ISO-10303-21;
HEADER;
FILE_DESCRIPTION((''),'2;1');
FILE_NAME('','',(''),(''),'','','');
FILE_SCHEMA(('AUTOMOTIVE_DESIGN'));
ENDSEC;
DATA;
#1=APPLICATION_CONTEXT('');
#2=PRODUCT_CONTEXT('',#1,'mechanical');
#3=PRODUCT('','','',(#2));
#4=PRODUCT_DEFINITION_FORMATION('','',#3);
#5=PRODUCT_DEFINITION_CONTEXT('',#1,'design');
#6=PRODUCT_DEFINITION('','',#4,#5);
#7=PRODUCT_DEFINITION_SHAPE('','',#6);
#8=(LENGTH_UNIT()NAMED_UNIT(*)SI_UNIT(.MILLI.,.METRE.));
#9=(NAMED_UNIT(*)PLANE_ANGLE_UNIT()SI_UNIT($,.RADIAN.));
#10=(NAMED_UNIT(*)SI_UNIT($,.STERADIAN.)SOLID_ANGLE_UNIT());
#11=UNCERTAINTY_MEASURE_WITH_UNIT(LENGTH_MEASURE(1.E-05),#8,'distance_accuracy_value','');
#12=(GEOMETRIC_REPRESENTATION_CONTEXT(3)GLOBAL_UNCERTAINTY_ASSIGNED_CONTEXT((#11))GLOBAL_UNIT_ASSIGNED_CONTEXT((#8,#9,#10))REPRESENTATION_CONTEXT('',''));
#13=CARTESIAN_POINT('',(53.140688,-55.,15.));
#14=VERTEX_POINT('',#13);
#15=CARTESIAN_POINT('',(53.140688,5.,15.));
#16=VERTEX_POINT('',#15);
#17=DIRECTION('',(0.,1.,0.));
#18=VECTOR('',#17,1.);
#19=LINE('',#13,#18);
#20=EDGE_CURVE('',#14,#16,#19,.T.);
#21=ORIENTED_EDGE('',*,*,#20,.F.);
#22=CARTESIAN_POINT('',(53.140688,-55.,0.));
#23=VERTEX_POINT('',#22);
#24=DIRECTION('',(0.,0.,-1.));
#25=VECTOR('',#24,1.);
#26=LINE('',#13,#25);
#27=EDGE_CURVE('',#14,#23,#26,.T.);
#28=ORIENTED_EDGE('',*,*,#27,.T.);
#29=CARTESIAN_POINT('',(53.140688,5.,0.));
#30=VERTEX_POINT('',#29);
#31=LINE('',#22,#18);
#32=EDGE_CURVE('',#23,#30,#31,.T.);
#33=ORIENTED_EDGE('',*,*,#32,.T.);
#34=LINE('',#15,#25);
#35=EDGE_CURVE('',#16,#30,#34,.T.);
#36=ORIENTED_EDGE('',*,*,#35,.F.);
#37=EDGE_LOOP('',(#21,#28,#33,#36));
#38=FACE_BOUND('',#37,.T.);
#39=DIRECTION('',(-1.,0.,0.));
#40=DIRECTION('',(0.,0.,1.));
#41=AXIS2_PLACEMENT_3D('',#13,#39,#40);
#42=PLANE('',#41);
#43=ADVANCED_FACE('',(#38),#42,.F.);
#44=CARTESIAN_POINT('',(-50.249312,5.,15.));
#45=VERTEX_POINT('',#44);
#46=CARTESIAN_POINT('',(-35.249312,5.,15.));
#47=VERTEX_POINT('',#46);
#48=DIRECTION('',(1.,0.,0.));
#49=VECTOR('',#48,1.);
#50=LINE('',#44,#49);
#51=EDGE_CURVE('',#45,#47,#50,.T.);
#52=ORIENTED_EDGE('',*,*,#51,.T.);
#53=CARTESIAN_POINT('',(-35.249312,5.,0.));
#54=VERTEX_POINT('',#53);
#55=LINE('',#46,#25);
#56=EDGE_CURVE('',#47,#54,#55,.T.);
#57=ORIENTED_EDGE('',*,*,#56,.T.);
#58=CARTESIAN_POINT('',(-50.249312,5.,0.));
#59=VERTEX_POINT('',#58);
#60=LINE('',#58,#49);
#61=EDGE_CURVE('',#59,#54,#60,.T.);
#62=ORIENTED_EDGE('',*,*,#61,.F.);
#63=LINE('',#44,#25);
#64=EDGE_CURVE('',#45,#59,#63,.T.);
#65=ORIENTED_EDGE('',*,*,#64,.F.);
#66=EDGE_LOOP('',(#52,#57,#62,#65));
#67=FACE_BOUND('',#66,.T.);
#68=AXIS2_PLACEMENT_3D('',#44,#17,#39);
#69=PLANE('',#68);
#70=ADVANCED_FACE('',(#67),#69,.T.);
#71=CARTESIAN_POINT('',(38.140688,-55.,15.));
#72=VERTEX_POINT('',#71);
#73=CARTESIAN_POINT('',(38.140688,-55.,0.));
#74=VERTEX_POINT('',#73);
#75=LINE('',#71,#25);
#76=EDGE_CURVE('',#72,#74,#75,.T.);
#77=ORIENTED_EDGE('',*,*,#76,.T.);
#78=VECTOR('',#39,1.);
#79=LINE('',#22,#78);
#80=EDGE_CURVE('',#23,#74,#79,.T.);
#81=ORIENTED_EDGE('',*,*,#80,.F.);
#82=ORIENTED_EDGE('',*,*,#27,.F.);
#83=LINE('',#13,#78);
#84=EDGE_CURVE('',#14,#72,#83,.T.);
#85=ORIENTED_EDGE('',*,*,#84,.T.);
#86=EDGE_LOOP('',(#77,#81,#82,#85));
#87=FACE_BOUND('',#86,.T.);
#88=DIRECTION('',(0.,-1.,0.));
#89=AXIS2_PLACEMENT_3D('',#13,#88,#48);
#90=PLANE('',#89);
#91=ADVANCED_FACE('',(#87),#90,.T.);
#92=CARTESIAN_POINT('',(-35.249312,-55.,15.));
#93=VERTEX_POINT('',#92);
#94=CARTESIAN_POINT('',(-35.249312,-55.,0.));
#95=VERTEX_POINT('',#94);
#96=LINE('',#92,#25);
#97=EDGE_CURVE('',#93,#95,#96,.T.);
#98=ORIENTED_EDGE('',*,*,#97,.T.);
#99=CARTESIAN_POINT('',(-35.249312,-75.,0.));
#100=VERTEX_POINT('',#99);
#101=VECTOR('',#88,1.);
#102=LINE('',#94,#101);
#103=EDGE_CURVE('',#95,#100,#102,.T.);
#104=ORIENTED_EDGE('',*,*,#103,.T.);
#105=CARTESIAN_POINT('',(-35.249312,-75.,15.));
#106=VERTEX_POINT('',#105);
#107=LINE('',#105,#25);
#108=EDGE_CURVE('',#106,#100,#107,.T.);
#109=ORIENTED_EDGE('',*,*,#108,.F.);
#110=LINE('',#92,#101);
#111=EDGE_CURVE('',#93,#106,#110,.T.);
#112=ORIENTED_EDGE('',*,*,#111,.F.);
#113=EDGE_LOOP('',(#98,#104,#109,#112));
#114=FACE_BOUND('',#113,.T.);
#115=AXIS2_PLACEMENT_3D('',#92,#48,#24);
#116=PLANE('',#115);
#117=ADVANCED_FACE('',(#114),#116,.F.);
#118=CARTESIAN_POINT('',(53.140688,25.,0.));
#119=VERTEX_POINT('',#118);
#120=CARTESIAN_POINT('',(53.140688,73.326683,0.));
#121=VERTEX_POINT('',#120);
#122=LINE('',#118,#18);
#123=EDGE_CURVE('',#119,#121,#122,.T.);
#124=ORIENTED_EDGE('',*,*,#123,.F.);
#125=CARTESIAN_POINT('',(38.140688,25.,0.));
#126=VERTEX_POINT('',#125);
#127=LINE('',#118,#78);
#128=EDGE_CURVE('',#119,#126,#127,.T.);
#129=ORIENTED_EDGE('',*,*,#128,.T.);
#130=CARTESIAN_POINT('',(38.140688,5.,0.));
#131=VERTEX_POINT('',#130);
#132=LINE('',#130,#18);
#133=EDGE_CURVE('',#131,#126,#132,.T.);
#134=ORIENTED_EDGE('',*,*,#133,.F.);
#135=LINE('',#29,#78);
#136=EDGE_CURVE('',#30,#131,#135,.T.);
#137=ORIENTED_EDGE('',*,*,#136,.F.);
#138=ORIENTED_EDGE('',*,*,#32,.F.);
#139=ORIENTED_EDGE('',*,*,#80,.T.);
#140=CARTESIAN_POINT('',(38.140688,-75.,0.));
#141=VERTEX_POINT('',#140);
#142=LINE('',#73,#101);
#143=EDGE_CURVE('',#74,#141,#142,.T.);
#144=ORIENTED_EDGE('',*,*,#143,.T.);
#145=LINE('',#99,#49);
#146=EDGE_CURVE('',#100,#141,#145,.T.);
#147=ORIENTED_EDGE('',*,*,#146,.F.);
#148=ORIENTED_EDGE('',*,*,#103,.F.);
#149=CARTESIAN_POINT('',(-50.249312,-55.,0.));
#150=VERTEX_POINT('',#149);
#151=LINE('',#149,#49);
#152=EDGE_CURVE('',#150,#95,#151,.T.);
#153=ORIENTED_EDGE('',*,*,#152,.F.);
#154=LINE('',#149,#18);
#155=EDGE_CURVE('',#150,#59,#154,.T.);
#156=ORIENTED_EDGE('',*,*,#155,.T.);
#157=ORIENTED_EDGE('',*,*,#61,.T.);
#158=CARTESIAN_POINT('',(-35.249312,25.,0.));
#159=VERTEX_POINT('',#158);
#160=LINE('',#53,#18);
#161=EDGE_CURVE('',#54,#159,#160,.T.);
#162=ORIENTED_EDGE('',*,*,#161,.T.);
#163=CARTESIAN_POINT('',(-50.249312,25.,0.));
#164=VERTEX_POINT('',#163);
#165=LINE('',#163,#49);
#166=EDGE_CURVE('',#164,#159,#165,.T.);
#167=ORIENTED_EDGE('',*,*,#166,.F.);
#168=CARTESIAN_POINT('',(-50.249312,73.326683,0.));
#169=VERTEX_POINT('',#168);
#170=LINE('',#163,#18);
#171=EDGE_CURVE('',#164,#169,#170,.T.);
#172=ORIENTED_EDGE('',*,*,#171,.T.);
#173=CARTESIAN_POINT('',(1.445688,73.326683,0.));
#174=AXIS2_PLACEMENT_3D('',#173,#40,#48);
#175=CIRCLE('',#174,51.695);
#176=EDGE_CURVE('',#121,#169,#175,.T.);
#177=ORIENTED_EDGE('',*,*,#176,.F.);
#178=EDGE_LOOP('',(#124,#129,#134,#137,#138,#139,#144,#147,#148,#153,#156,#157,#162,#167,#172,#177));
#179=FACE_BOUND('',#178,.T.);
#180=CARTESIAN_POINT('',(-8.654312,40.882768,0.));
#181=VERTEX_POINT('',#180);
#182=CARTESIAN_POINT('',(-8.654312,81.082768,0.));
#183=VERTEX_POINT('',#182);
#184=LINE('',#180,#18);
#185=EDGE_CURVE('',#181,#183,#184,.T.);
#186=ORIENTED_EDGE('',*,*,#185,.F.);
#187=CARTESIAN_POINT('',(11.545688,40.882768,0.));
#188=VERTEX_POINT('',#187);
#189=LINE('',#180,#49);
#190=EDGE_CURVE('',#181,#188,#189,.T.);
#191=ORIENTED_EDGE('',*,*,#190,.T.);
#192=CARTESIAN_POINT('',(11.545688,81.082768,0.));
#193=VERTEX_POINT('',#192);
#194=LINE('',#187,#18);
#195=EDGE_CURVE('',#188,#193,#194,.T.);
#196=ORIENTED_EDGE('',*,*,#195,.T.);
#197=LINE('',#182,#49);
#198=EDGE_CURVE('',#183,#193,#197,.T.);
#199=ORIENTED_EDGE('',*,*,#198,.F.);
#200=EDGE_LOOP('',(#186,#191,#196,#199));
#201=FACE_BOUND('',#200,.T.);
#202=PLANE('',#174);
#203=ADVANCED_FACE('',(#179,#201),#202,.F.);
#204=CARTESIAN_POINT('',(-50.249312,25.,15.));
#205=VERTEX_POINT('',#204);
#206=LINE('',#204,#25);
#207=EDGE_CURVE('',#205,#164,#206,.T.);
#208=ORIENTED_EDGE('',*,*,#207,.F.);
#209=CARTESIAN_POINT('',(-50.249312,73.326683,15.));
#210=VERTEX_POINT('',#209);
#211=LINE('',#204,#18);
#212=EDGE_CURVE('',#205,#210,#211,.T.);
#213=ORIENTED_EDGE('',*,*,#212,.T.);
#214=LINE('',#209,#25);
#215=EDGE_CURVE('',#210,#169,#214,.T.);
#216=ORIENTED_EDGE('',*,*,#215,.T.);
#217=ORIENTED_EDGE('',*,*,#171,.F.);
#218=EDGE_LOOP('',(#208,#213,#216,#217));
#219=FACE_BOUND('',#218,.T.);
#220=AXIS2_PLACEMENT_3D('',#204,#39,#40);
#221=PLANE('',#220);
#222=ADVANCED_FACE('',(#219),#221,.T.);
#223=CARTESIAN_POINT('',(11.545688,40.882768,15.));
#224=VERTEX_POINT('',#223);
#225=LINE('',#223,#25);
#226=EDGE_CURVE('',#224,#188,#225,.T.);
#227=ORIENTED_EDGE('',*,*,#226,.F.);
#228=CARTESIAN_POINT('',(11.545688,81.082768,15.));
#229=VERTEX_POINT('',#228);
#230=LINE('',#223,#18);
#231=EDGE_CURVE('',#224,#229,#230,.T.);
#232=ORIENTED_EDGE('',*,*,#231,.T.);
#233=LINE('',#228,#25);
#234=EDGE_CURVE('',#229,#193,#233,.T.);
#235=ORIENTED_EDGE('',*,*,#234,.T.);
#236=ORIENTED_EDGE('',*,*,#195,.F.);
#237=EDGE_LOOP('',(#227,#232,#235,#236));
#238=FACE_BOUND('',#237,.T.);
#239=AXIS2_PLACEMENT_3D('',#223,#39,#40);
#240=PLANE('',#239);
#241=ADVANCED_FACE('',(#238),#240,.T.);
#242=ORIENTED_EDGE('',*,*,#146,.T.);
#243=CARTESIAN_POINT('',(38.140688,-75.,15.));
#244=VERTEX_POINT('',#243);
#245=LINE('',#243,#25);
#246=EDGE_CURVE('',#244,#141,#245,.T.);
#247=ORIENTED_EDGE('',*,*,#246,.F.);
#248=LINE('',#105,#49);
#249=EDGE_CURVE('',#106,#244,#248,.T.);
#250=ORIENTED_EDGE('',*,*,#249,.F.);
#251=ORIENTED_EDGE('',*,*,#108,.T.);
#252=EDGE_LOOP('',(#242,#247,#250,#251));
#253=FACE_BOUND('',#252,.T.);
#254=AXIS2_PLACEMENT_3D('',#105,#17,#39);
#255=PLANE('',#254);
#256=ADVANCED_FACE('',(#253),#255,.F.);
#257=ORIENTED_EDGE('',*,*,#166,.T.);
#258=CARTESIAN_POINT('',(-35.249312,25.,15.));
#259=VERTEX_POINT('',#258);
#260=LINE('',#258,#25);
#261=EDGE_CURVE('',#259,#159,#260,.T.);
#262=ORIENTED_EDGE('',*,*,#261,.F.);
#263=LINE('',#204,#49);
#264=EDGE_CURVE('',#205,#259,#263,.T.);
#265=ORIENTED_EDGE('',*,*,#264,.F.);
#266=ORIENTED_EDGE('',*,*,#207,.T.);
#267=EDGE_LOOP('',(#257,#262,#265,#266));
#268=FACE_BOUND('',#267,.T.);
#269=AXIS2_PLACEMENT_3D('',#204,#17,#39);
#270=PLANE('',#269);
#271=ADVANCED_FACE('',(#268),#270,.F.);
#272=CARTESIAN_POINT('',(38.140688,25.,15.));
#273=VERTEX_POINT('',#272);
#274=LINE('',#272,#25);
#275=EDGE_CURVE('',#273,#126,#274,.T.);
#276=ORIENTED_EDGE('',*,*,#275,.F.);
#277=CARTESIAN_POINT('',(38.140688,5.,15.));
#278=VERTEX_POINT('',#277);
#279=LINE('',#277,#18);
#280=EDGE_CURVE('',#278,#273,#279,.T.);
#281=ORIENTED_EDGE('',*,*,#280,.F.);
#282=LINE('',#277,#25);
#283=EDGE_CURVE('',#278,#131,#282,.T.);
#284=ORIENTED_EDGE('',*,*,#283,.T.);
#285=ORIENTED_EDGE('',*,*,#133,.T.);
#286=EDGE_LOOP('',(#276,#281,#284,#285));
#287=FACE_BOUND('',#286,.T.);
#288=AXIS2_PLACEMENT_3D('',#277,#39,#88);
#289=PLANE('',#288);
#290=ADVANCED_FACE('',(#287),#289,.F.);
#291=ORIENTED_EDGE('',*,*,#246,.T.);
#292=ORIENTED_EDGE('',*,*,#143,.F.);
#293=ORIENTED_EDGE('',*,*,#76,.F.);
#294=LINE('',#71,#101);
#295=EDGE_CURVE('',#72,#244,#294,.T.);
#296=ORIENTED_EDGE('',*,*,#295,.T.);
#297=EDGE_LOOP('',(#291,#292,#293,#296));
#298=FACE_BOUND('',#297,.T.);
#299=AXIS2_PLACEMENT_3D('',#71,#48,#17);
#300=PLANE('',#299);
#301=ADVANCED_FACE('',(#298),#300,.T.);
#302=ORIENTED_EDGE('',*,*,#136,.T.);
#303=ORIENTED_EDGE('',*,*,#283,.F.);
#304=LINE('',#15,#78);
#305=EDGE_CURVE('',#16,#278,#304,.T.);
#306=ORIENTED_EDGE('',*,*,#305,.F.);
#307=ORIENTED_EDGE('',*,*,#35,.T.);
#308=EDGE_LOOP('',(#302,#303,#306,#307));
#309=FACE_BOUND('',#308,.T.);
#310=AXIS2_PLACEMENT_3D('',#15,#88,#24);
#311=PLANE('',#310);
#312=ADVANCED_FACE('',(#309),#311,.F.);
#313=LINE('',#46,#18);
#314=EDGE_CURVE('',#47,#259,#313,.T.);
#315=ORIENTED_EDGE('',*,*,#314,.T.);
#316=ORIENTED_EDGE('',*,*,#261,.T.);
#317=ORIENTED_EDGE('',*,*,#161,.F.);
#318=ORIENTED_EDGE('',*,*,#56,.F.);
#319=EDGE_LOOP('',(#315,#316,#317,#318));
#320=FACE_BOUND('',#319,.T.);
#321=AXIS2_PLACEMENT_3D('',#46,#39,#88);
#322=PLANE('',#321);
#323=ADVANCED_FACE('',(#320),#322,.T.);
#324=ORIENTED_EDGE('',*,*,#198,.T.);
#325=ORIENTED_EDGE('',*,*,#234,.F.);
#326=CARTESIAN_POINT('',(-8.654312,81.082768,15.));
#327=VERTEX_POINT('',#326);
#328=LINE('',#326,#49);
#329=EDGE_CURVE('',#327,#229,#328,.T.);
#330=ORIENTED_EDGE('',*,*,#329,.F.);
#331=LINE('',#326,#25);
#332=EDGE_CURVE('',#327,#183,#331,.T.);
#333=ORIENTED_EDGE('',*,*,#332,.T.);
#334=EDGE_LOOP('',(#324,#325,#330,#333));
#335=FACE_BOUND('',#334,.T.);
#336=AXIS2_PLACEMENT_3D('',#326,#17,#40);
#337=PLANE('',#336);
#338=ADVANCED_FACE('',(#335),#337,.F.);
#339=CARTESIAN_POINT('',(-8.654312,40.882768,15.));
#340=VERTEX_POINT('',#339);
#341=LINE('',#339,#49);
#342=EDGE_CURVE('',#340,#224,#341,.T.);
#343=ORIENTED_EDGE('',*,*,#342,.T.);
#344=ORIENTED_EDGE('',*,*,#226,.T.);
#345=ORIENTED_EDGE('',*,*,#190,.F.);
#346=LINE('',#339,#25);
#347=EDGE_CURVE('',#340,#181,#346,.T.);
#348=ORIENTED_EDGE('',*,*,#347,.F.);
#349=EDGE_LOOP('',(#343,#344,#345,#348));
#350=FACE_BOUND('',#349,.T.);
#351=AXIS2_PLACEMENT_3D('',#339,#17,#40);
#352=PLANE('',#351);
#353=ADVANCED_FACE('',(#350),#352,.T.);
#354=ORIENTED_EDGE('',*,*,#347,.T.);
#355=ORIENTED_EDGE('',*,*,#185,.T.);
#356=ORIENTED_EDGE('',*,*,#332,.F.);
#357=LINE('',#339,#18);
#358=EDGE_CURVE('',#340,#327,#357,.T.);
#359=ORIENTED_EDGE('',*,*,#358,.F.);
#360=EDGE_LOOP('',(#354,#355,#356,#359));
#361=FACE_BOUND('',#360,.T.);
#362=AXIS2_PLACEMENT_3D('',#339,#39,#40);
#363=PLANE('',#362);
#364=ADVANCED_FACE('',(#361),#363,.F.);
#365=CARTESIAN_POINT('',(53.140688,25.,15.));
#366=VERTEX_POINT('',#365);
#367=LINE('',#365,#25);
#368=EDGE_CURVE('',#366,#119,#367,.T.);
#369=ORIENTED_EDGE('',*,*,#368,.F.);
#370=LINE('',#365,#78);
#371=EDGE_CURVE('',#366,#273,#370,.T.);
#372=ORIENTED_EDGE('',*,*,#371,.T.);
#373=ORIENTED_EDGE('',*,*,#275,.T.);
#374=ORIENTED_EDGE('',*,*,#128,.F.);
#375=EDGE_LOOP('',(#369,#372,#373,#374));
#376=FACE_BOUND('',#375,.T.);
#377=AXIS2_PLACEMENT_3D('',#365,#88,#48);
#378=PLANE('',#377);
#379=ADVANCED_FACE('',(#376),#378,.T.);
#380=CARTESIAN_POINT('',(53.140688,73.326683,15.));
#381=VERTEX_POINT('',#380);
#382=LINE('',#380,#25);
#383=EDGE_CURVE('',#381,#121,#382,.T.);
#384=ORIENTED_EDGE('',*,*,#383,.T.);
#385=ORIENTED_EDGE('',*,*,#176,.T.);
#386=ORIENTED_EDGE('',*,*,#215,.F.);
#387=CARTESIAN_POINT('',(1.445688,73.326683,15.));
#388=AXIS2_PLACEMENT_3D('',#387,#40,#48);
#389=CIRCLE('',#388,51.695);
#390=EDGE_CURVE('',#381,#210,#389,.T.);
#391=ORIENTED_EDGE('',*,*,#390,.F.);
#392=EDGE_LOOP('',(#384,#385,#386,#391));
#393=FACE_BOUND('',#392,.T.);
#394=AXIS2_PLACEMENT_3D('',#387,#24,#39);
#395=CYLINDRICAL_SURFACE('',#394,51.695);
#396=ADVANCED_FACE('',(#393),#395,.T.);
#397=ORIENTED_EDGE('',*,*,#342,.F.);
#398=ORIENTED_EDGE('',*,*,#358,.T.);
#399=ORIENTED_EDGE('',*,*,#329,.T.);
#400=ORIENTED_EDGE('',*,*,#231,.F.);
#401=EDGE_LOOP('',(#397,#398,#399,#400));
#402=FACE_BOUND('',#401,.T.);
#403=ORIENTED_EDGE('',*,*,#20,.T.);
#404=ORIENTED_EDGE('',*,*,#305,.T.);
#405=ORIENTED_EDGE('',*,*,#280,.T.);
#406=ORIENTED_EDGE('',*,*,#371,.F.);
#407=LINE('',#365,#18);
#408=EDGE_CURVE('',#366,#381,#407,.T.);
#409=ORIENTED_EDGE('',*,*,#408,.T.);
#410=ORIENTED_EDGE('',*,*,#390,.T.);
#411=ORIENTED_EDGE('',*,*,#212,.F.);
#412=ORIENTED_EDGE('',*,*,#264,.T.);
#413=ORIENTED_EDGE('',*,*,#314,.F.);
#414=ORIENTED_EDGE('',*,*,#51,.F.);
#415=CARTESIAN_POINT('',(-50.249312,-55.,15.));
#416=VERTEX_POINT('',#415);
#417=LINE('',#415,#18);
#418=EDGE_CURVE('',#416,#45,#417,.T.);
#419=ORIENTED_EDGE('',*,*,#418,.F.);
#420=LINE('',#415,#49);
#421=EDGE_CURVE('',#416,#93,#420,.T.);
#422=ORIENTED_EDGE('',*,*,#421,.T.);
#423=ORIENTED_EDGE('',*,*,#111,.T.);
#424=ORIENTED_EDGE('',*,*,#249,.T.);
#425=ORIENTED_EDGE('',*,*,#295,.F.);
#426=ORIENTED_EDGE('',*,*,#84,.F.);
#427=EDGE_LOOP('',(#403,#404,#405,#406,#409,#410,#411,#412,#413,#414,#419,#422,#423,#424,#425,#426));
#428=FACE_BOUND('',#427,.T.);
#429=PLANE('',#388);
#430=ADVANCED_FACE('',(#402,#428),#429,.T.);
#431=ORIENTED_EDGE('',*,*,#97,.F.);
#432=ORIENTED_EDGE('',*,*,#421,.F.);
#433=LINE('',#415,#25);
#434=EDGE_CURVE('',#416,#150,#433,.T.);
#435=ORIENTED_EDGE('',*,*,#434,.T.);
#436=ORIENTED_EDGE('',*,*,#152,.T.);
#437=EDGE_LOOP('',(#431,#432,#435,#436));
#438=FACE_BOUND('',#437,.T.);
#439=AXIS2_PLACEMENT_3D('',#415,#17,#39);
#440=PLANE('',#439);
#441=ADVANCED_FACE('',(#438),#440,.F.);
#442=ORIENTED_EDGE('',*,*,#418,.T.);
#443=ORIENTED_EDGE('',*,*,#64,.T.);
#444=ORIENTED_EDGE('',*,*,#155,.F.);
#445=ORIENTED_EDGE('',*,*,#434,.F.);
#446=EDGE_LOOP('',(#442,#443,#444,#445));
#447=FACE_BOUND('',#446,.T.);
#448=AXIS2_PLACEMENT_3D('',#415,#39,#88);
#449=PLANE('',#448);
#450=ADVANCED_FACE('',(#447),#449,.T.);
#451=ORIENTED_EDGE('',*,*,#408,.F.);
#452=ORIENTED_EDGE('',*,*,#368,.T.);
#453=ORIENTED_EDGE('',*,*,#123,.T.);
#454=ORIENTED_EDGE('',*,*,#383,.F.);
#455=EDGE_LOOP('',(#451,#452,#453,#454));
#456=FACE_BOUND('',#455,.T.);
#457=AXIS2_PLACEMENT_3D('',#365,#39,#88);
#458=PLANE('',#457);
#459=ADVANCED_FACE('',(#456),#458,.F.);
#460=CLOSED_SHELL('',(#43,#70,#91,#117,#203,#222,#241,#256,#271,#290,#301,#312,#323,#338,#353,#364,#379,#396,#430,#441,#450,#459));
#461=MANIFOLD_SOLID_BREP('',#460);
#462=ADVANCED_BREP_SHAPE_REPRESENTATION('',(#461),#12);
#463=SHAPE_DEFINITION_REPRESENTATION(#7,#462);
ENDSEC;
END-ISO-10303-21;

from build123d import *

# Parameters (mm, degrees)
ESQUISSE1_W        = 20.2
ESQUISSE1_H        = 40.2
BOSS_EXTRU_1_DEPTH = 15


with BuildPart() as part:
    # Esquisse1 → Boss.-Extru.1 (new body)
    with BuildSketch(Plane.XY):
        with BuildLine():
            Line((-35.249311761, -55), (-35.249311761, -75))
            Line((-35.249311761, -75), (38.140688239, -75))
            Line((38.140688239, -75), (38.140688239, -55))
            Line((38.140688239, -55), (53.140688239, -55))
            Line((53.140688239, -55), (53.140688239, 5))
            Line((53.140688239, 5), (38.140688239, 5))
            Line((38.140688239, 5), (38.140688239, 25))
            Line((38.140688239, 25), (53.140688239, 25))
            Line((53.140688239, 25), (53.140688239, 73.326682602))
            ThreePointArc((53.140688239, 73.326682602), (1.445688239, 125.021682602), (-50.249311761, 73.326682602))
            Line((-50.249311761, 73.326682602), (-50.249311761, 25))
            Line((-50.249311761, 25), (-35.249311761, 25))
            Line((-35.249311761, 25), (-35.249311761, 5))
            Line((-35.249311761, 5), (-50.249311761, 5))
            Line((-50.249311761, 5), (-50.249311761, -55))
            Line((-50.249311761, -55), (-35.249311761, -55))
        make_face()
        with Locations((1.445688239, 60.982767533)):
            Rectangle(ESQUISSE1_W, ESQUISSE1_H, mode=Mode.SUBTRACT)
    extrude(amount=BOSS_EXTRU_1_DEPTH)


solid = part.part
